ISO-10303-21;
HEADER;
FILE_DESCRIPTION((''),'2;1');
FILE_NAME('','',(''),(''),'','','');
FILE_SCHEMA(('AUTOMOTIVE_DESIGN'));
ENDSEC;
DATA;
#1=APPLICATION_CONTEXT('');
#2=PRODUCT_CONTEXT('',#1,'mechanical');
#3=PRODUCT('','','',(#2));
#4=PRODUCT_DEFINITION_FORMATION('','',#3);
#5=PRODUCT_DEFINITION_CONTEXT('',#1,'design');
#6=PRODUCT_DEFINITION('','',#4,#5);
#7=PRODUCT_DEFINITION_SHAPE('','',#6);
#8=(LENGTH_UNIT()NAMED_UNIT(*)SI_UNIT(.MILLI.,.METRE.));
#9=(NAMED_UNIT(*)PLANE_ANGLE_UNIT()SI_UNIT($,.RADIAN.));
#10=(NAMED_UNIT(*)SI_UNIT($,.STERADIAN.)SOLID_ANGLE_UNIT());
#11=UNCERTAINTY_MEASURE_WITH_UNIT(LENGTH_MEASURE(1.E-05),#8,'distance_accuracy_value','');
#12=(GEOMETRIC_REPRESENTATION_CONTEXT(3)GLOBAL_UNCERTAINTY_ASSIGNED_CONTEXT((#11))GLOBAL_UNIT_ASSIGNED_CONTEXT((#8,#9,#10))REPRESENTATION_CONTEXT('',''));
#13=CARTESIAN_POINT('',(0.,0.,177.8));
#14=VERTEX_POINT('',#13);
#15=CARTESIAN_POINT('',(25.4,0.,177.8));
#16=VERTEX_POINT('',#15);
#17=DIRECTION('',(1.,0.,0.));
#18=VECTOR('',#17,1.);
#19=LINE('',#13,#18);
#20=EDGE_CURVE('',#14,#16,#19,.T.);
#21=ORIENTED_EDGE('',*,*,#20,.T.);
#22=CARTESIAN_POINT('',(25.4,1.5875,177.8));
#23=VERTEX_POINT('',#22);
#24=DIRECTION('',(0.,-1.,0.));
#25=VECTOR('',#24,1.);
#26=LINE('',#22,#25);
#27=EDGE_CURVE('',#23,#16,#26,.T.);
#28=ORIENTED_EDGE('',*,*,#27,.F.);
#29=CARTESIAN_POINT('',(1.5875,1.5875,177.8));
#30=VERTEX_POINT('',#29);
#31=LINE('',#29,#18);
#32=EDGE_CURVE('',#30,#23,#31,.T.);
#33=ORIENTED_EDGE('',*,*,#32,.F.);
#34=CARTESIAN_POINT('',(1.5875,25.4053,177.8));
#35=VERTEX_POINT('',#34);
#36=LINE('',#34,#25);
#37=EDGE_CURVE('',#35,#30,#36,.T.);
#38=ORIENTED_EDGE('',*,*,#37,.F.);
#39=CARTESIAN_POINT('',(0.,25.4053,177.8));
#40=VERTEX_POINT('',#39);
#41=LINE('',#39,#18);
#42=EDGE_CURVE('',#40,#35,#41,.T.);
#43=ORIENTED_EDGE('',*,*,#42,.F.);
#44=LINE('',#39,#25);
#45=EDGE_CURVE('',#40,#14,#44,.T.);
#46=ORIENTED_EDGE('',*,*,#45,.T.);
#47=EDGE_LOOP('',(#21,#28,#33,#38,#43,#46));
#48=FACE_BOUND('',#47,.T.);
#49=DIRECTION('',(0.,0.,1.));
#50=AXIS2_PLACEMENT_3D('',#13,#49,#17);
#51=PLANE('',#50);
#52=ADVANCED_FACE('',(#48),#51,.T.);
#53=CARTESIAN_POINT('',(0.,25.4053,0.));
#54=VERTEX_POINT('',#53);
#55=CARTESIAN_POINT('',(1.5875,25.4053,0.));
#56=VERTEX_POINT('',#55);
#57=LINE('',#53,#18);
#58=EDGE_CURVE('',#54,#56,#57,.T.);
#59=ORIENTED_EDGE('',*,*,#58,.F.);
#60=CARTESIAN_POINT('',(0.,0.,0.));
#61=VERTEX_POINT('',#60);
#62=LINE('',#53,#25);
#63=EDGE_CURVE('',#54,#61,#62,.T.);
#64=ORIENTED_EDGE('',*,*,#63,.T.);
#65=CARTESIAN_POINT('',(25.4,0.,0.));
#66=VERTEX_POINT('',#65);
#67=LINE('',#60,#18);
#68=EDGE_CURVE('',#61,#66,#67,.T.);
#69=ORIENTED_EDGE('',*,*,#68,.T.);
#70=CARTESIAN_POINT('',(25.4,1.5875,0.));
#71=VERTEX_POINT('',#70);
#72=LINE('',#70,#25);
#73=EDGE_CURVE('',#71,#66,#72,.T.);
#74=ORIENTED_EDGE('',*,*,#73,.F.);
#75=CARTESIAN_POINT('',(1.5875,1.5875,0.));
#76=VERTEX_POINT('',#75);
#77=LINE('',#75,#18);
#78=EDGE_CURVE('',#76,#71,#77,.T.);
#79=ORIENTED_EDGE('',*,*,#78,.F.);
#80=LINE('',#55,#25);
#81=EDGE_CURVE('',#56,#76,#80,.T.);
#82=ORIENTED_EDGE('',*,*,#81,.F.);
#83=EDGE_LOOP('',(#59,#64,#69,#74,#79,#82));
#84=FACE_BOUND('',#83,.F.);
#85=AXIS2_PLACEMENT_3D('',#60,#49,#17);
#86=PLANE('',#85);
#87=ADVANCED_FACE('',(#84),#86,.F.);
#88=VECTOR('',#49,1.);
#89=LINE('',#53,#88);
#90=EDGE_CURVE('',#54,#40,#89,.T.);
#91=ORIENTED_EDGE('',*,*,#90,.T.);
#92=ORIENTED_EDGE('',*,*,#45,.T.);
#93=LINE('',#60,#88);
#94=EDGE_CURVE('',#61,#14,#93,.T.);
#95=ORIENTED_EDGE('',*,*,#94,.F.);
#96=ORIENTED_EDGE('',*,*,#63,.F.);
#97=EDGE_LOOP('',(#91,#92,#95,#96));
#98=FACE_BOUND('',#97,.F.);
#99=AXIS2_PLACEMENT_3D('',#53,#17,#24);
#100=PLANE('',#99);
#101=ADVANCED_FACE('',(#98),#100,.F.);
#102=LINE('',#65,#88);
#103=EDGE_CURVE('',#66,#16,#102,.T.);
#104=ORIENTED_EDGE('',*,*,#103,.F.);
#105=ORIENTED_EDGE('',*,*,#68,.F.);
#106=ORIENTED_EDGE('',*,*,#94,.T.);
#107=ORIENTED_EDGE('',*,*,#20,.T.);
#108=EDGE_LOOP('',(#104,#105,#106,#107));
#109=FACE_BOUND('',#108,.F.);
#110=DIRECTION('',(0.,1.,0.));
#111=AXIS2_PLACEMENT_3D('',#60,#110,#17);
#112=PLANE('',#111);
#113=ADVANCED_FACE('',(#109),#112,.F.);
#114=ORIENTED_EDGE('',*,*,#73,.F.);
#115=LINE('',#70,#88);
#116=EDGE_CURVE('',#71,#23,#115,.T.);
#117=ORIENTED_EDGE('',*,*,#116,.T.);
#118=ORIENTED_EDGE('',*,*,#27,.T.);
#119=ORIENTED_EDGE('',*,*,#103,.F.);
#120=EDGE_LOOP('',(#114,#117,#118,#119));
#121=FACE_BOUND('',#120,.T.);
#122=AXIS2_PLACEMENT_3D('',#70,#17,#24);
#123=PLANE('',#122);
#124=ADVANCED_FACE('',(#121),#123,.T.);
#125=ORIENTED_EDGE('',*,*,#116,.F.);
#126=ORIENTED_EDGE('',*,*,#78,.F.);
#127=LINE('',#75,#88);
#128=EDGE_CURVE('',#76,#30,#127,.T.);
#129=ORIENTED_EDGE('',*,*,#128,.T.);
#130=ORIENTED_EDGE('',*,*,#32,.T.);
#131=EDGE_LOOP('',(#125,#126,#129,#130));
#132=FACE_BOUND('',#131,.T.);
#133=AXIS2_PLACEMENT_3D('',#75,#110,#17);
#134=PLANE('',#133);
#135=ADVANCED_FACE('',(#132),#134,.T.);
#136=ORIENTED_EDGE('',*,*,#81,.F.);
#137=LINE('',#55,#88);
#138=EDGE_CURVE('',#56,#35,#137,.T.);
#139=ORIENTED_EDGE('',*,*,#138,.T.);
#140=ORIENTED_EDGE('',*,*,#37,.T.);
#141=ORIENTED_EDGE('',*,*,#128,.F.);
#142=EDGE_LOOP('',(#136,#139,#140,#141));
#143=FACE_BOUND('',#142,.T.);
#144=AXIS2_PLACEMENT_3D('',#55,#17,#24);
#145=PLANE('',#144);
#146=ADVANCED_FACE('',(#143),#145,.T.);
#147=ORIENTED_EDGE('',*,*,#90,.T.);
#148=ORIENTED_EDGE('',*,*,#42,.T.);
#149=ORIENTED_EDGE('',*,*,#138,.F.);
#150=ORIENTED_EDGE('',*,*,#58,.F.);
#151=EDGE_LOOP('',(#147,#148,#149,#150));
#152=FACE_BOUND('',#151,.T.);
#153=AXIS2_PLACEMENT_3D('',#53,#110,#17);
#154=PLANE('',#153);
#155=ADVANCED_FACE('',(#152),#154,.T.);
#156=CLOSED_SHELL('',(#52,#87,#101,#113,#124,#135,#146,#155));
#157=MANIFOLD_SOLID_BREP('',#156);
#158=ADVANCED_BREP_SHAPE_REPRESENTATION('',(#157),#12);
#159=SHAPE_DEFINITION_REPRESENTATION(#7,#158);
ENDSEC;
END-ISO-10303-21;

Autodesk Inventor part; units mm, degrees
ref_plane "YZ Plane" through (0, 0, 0) normal (1, 0, 0) x (0, 1, 0)
ref_plane "XZ Plane" through (0, 0, 0) normal (0, 1, 0) x (-1, 0, 0)
ref_plane "XY Plane" through (0, 0, 0) normal (0, 0, 1) x (1, 0, 0)
sketch "Sketch1" plane through (0, 0, 0) normal (0, 0, 1) x (1, 0, 0)
  line L0 (0, 0) -> (25.4, 0)
  line L1 (0, 25.4053) -> (0, 0)
  line L2 (1.5875, 22.2862) -> (1.5875, 23.8178) construction
  line L3 (1.5875, 25.4053) -> (1.5875, 1.5875)
  line L4 (1.5875, 1.5875) -> (25.4, 1.5875)
  line L5 (0, 25.4053) -> (1.5875, 25.4053)
  line L6 (25.4, 1.5875) -> (25.4, 0)
extrude "Extrusion2" add sketch "Sketch1" along normal blind 177.8
properties part number "Hook7in L Channel"
